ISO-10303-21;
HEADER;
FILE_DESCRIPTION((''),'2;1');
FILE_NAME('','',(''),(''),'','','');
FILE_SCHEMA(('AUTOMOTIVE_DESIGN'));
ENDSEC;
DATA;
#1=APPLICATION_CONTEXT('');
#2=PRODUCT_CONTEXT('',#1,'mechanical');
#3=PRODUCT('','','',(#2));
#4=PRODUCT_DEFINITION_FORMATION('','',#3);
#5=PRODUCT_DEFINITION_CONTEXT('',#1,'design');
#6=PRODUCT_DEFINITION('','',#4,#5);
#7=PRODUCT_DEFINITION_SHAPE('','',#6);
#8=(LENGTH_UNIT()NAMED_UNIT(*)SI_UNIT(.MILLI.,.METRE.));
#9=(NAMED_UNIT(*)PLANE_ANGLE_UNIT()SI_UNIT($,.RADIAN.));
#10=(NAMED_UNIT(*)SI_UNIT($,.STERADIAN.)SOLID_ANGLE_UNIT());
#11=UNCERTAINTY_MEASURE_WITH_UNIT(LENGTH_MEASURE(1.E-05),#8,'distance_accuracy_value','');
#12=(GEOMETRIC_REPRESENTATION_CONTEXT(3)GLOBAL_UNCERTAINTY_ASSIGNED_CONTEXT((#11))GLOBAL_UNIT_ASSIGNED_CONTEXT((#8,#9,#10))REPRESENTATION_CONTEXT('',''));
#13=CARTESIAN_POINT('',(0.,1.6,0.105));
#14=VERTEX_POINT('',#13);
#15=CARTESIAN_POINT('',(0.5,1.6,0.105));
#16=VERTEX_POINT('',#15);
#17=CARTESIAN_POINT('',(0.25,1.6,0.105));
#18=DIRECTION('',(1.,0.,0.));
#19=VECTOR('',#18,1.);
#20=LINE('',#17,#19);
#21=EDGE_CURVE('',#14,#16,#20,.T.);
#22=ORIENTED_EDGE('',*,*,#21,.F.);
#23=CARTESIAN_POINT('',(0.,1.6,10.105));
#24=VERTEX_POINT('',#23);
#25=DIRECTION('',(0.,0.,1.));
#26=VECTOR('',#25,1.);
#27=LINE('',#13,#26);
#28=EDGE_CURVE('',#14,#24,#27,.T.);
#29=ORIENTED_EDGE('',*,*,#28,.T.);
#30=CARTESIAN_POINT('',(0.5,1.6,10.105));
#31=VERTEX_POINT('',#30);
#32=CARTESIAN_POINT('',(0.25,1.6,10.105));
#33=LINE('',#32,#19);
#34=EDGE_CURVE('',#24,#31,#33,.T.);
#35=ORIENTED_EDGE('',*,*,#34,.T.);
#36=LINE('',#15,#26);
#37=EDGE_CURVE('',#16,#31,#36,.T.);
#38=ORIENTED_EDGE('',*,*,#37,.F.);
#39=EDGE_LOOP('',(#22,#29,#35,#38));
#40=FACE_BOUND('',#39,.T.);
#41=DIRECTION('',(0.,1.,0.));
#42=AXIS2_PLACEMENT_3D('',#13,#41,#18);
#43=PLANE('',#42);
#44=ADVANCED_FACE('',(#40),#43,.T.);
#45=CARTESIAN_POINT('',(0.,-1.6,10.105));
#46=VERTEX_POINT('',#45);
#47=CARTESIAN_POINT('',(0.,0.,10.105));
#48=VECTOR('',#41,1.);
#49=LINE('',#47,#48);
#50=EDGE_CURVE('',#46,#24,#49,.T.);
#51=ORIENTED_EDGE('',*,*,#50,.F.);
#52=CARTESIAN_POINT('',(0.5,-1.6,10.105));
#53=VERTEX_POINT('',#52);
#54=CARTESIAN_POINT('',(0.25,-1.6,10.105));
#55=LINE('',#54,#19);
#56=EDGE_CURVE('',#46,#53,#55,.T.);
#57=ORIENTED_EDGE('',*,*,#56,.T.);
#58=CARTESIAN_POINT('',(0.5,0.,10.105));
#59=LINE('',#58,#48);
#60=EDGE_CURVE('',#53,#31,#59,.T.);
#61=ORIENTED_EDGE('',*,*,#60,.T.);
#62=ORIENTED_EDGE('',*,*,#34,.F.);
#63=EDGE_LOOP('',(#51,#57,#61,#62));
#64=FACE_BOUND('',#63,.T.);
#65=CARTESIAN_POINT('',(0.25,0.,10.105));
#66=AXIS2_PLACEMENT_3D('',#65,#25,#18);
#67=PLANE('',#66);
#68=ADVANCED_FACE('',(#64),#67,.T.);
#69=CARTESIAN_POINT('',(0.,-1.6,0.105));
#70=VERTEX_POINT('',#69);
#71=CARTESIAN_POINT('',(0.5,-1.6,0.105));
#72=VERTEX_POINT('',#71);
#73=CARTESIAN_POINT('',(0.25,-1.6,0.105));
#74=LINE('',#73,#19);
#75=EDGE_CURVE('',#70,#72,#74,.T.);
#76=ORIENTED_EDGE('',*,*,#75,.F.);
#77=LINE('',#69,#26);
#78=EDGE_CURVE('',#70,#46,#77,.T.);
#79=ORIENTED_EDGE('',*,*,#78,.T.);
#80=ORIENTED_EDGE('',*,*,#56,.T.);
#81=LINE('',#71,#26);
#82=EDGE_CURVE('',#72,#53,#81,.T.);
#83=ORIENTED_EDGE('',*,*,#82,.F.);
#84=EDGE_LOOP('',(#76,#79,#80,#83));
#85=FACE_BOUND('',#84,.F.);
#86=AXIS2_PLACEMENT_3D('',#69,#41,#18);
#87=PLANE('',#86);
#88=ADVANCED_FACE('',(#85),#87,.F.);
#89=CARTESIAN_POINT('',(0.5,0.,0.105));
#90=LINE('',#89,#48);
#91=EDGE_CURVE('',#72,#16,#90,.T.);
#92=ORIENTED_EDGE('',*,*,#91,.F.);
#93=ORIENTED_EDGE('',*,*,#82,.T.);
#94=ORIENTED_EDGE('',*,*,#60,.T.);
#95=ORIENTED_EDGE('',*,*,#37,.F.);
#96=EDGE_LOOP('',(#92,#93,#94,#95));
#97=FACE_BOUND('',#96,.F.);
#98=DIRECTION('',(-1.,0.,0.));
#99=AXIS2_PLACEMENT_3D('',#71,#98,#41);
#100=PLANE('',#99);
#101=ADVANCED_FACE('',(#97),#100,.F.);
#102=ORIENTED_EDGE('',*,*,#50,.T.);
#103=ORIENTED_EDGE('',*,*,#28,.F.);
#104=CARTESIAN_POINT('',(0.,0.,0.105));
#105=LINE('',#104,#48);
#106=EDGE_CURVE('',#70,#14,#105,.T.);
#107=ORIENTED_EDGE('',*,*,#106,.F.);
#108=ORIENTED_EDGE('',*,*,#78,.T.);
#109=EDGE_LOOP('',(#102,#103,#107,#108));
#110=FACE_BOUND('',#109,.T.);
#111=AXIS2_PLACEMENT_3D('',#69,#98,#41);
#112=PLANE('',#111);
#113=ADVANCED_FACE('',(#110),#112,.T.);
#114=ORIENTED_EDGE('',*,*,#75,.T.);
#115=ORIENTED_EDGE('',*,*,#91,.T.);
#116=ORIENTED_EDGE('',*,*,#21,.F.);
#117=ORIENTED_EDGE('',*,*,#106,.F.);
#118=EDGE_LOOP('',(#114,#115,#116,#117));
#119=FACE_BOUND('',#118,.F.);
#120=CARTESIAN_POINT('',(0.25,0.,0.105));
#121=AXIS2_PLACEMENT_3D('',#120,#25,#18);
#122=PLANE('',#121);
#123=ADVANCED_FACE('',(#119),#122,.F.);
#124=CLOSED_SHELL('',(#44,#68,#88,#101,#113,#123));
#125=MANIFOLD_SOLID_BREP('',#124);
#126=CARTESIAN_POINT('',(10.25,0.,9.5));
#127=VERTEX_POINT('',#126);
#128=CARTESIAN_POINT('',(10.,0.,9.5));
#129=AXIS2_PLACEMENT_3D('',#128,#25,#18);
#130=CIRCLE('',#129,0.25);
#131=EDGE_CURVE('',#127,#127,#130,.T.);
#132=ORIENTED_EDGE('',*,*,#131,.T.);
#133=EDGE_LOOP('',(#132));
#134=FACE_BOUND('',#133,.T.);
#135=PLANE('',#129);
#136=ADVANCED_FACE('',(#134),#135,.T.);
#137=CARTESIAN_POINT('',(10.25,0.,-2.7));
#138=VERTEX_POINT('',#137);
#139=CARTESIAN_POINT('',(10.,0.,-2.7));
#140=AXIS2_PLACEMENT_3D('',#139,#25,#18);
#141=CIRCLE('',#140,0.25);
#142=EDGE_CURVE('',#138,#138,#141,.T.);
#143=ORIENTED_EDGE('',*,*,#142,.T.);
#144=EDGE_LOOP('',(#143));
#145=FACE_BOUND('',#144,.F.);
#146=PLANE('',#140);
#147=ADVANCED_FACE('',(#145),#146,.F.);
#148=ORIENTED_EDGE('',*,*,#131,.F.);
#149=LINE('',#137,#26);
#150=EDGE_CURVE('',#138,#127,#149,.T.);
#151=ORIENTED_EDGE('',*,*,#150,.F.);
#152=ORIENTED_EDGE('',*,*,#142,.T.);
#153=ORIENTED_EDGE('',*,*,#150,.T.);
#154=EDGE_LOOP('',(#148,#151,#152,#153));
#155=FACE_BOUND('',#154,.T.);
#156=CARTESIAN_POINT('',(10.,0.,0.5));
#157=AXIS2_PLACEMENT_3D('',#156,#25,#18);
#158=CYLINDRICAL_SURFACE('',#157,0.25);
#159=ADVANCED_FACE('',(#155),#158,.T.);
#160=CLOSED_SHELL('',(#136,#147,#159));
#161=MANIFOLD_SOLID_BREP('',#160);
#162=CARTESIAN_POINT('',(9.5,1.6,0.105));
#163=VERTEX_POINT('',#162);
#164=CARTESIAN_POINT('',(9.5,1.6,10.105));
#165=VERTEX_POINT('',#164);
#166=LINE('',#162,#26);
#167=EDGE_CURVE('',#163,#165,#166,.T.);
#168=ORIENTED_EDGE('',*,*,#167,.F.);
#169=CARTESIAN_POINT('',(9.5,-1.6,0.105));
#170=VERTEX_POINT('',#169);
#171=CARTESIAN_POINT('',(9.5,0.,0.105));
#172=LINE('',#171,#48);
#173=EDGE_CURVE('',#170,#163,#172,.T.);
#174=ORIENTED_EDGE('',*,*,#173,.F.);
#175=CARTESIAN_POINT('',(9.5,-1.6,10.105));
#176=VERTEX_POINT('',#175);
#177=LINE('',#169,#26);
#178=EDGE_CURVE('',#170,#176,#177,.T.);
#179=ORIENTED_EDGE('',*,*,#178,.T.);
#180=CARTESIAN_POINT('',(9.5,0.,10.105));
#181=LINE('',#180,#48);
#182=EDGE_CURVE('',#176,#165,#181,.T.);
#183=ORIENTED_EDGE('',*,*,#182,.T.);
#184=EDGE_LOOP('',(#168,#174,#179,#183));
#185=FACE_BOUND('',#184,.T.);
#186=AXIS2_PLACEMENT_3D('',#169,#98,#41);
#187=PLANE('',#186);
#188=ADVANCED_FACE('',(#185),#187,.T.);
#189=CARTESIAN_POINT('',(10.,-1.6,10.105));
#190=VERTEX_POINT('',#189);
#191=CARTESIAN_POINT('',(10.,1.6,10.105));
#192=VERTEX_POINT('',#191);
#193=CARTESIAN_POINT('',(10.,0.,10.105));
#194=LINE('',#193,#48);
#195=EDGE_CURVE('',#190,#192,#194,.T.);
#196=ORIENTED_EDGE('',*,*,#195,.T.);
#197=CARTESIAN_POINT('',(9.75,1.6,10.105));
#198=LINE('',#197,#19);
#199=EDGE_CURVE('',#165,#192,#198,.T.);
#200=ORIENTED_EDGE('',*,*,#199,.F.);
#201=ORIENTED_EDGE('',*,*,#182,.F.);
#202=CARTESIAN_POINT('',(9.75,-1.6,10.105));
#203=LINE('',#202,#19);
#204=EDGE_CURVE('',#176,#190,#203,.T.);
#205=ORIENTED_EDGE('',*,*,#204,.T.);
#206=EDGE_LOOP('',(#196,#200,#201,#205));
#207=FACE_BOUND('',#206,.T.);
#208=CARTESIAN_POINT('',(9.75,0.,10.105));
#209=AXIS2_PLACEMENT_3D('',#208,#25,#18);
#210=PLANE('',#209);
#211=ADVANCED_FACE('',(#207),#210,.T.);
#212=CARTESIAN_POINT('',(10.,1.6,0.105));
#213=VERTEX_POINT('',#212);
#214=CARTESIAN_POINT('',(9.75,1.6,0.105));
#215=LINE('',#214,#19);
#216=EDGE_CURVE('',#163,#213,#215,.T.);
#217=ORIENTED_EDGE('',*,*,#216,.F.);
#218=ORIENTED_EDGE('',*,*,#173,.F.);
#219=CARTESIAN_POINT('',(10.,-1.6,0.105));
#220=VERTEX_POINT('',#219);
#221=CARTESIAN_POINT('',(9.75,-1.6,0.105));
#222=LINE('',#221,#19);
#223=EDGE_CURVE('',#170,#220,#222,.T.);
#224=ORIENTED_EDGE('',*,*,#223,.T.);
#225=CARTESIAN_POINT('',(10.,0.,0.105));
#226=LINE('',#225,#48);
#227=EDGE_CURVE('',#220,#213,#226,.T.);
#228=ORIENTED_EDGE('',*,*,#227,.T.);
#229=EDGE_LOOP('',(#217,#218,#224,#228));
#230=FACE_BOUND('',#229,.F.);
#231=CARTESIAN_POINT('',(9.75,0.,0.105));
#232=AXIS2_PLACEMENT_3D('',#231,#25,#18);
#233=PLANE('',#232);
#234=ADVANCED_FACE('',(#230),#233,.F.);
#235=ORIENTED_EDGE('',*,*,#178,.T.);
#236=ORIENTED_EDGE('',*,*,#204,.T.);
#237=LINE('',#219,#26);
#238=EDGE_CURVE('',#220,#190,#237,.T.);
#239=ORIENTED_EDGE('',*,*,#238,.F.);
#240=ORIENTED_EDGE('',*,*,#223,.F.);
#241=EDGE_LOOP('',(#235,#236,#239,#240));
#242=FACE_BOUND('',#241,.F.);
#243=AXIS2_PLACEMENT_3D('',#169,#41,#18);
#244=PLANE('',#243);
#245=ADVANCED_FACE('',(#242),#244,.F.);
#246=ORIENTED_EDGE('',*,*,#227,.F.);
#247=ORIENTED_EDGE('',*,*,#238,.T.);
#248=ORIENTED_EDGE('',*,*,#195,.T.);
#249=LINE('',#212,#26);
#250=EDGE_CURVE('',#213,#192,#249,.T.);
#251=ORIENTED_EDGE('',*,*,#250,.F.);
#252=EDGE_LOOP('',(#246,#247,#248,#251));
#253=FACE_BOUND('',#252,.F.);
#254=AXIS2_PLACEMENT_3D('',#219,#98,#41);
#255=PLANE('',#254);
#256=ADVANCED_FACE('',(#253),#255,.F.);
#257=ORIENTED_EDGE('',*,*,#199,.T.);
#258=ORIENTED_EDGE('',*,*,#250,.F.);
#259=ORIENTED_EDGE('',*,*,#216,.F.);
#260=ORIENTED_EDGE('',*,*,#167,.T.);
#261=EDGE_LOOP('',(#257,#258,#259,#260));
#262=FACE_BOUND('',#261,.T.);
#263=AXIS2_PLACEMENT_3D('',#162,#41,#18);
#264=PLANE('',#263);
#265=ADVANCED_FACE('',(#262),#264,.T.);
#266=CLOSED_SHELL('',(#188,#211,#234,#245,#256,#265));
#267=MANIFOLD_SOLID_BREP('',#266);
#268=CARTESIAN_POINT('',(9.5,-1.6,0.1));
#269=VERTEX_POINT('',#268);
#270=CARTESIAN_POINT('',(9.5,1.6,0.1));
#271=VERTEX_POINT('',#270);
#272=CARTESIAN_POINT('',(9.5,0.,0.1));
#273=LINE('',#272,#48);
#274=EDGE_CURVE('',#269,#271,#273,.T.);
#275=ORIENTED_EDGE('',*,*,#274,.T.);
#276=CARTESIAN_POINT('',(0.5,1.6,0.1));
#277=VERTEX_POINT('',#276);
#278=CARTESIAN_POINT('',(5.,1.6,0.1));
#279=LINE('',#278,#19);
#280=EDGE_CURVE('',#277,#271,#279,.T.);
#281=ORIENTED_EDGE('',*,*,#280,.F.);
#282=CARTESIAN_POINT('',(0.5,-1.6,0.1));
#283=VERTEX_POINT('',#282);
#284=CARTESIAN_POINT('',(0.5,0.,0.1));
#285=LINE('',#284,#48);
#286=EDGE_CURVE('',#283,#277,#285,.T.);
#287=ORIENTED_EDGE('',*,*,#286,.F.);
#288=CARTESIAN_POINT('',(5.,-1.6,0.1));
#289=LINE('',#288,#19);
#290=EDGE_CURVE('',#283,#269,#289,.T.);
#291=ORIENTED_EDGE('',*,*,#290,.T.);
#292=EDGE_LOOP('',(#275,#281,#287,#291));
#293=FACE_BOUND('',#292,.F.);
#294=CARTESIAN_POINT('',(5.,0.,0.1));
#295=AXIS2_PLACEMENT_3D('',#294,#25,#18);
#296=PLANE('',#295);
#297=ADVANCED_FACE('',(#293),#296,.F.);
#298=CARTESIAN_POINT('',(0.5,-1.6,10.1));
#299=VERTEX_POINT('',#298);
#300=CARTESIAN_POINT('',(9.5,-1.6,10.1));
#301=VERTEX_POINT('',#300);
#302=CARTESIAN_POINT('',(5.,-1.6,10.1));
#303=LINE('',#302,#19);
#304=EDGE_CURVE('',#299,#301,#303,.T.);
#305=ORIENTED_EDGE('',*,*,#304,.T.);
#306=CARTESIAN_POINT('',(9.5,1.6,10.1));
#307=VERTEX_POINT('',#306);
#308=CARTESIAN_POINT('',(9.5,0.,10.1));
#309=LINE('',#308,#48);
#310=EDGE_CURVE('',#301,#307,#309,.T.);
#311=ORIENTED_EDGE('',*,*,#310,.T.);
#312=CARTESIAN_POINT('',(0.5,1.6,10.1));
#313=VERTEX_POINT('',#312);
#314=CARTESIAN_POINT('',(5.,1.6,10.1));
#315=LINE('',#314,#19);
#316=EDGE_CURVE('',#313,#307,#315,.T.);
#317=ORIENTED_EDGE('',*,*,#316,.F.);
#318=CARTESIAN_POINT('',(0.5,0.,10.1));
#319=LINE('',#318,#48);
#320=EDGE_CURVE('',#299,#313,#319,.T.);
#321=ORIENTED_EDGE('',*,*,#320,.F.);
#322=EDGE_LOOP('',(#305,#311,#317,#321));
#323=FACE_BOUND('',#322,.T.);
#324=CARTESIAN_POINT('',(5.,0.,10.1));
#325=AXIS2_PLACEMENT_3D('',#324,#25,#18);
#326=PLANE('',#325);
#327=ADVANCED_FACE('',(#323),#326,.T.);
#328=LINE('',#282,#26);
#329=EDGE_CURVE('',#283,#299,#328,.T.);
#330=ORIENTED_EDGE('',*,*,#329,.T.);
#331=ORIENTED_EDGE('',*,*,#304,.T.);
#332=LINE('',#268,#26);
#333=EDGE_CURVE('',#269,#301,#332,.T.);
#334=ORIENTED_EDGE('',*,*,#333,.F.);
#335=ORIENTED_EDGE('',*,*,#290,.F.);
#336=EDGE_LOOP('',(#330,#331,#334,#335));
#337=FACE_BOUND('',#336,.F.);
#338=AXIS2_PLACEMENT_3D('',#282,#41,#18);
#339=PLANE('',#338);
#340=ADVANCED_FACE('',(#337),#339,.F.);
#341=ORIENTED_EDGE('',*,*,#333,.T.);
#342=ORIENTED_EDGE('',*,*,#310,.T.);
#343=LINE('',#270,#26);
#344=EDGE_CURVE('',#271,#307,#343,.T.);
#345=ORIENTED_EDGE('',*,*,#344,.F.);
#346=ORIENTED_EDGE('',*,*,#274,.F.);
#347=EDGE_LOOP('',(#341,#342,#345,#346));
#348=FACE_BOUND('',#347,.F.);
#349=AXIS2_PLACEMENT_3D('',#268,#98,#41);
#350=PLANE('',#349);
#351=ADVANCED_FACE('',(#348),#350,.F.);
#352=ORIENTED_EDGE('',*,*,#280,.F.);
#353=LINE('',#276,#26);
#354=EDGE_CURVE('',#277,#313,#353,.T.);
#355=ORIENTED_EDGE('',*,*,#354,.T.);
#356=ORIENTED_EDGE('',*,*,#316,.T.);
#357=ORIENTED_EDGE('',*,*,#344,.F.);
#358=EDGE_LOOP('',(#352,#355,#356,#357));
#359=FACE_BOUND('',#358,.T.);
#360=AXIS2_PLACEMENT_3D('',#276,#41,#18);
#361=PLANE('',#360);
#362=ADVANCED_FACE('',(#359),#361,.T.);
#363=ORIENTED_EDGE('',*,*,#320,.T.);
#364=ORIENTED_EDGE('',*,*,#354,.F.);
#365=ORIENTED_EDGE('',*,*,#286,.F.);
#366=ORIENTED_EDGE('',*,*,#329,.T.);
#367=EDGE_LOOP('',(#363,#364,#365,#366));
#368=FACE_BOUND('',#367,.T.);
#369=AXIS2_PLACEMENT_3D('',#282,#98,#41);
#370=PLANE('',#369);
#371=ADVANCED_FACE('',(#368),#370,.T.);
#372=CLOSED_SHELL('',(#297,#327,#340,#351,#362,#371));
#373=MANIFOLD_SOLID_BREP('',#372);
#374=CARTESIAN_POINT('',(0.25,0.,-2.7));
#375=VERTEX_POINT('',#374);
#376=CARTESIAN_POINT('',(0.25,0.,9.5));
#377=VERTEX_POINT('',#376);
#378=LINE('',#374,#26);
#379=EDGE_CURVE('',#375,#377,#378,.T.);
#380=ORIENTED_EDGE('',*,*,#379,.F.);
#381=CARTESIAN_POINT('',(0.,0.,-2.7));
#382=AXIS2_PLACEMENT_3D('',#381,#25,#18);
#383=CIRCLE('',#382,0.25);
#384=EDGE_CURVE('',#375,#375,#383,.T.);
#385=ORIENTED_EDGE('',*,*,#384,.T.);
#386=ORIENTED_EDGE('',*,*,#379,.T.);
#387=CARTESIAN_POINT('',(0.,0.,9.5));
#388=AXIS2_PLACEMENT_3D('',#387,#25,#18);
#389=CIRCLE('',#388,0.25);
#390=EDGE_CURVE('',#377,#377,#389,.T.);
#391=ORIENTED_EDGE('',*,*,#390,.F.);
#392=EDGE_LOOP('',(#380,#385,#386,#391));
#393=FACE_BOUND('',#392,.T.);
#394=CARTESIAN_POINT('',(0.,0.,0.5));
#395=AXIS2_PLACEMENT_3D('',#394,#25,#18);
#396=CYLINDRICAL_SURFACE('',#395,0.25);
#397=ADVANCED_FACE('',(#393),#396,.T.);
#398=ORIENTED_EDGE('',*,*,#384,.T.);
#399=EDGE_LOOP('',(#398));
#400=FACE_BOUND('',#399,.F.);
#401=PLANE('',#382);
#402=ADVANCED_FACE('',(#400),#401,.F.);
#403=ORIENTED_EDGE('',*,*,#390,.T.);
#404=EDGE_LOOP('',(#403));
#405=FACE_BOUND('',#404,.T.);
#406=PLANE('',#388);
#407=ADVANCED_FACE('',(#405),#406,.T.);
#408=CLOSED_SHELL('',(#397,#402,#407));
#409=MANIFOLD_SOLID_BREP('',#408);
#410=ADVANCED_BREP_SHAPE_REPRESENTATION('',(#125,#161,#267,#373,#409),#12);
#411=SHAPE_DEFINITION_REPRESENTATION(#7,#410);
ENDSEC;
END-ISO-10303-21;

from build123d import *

# Parameters (mm, degrees)
SKETCH_W          = 9
SKETCH_H          = 3.2
PAD_DEPTH         = 10
SKETCH001_R       = 0.25
PAD001_DEPTH      = 9
PAD001_DEPTH_BACK = 3.2
SKETCH002_W       = 0.5
SKETCH002_H       = 3.2
PAD002_DEPTH      = 10


with BuildPart() as pad:
    # Sketch → Pad (new body)
    with BuildSketch(Plane.XY.offset(0.1)):
        with Locations((5, 0)):
            Rectangle(SKETCH_W, SKETCH_H)
    extrude(amount=PAD_DEPTH)


with BuildPart() as pad001:
    # Sketch001 → Pad001 (new body, two sides)
    with BuildSketch(Plane.XY.offset(0.5)) as pad001_sk:
        Circle(SKETCH001_R)
        with Locations((10, 0)):
            Circle(SKETCH001_R)
    extrude(amount=PAD001_DEPTH)
    extrude(pad001_sk.sketch, amount=-PAD001_DEPTH_BACK)


with BuildPart() as pad002:
    # Sketch002 → Pad002 (new body)
    with BuildSketch(Plane.XY.offset(0.105)):
        with Locations((0.25, 0)):
            Rectangle(SKETCH002_W, SKETCH002_H)
        with Locations((9.75, 0)):
            Rectangle(SKETCH002_W, SKETCH002_H)
    extrude(amount=PAD002_DEPTH)


solid = Compound([pad.part, pad001.part, pad002.part])
